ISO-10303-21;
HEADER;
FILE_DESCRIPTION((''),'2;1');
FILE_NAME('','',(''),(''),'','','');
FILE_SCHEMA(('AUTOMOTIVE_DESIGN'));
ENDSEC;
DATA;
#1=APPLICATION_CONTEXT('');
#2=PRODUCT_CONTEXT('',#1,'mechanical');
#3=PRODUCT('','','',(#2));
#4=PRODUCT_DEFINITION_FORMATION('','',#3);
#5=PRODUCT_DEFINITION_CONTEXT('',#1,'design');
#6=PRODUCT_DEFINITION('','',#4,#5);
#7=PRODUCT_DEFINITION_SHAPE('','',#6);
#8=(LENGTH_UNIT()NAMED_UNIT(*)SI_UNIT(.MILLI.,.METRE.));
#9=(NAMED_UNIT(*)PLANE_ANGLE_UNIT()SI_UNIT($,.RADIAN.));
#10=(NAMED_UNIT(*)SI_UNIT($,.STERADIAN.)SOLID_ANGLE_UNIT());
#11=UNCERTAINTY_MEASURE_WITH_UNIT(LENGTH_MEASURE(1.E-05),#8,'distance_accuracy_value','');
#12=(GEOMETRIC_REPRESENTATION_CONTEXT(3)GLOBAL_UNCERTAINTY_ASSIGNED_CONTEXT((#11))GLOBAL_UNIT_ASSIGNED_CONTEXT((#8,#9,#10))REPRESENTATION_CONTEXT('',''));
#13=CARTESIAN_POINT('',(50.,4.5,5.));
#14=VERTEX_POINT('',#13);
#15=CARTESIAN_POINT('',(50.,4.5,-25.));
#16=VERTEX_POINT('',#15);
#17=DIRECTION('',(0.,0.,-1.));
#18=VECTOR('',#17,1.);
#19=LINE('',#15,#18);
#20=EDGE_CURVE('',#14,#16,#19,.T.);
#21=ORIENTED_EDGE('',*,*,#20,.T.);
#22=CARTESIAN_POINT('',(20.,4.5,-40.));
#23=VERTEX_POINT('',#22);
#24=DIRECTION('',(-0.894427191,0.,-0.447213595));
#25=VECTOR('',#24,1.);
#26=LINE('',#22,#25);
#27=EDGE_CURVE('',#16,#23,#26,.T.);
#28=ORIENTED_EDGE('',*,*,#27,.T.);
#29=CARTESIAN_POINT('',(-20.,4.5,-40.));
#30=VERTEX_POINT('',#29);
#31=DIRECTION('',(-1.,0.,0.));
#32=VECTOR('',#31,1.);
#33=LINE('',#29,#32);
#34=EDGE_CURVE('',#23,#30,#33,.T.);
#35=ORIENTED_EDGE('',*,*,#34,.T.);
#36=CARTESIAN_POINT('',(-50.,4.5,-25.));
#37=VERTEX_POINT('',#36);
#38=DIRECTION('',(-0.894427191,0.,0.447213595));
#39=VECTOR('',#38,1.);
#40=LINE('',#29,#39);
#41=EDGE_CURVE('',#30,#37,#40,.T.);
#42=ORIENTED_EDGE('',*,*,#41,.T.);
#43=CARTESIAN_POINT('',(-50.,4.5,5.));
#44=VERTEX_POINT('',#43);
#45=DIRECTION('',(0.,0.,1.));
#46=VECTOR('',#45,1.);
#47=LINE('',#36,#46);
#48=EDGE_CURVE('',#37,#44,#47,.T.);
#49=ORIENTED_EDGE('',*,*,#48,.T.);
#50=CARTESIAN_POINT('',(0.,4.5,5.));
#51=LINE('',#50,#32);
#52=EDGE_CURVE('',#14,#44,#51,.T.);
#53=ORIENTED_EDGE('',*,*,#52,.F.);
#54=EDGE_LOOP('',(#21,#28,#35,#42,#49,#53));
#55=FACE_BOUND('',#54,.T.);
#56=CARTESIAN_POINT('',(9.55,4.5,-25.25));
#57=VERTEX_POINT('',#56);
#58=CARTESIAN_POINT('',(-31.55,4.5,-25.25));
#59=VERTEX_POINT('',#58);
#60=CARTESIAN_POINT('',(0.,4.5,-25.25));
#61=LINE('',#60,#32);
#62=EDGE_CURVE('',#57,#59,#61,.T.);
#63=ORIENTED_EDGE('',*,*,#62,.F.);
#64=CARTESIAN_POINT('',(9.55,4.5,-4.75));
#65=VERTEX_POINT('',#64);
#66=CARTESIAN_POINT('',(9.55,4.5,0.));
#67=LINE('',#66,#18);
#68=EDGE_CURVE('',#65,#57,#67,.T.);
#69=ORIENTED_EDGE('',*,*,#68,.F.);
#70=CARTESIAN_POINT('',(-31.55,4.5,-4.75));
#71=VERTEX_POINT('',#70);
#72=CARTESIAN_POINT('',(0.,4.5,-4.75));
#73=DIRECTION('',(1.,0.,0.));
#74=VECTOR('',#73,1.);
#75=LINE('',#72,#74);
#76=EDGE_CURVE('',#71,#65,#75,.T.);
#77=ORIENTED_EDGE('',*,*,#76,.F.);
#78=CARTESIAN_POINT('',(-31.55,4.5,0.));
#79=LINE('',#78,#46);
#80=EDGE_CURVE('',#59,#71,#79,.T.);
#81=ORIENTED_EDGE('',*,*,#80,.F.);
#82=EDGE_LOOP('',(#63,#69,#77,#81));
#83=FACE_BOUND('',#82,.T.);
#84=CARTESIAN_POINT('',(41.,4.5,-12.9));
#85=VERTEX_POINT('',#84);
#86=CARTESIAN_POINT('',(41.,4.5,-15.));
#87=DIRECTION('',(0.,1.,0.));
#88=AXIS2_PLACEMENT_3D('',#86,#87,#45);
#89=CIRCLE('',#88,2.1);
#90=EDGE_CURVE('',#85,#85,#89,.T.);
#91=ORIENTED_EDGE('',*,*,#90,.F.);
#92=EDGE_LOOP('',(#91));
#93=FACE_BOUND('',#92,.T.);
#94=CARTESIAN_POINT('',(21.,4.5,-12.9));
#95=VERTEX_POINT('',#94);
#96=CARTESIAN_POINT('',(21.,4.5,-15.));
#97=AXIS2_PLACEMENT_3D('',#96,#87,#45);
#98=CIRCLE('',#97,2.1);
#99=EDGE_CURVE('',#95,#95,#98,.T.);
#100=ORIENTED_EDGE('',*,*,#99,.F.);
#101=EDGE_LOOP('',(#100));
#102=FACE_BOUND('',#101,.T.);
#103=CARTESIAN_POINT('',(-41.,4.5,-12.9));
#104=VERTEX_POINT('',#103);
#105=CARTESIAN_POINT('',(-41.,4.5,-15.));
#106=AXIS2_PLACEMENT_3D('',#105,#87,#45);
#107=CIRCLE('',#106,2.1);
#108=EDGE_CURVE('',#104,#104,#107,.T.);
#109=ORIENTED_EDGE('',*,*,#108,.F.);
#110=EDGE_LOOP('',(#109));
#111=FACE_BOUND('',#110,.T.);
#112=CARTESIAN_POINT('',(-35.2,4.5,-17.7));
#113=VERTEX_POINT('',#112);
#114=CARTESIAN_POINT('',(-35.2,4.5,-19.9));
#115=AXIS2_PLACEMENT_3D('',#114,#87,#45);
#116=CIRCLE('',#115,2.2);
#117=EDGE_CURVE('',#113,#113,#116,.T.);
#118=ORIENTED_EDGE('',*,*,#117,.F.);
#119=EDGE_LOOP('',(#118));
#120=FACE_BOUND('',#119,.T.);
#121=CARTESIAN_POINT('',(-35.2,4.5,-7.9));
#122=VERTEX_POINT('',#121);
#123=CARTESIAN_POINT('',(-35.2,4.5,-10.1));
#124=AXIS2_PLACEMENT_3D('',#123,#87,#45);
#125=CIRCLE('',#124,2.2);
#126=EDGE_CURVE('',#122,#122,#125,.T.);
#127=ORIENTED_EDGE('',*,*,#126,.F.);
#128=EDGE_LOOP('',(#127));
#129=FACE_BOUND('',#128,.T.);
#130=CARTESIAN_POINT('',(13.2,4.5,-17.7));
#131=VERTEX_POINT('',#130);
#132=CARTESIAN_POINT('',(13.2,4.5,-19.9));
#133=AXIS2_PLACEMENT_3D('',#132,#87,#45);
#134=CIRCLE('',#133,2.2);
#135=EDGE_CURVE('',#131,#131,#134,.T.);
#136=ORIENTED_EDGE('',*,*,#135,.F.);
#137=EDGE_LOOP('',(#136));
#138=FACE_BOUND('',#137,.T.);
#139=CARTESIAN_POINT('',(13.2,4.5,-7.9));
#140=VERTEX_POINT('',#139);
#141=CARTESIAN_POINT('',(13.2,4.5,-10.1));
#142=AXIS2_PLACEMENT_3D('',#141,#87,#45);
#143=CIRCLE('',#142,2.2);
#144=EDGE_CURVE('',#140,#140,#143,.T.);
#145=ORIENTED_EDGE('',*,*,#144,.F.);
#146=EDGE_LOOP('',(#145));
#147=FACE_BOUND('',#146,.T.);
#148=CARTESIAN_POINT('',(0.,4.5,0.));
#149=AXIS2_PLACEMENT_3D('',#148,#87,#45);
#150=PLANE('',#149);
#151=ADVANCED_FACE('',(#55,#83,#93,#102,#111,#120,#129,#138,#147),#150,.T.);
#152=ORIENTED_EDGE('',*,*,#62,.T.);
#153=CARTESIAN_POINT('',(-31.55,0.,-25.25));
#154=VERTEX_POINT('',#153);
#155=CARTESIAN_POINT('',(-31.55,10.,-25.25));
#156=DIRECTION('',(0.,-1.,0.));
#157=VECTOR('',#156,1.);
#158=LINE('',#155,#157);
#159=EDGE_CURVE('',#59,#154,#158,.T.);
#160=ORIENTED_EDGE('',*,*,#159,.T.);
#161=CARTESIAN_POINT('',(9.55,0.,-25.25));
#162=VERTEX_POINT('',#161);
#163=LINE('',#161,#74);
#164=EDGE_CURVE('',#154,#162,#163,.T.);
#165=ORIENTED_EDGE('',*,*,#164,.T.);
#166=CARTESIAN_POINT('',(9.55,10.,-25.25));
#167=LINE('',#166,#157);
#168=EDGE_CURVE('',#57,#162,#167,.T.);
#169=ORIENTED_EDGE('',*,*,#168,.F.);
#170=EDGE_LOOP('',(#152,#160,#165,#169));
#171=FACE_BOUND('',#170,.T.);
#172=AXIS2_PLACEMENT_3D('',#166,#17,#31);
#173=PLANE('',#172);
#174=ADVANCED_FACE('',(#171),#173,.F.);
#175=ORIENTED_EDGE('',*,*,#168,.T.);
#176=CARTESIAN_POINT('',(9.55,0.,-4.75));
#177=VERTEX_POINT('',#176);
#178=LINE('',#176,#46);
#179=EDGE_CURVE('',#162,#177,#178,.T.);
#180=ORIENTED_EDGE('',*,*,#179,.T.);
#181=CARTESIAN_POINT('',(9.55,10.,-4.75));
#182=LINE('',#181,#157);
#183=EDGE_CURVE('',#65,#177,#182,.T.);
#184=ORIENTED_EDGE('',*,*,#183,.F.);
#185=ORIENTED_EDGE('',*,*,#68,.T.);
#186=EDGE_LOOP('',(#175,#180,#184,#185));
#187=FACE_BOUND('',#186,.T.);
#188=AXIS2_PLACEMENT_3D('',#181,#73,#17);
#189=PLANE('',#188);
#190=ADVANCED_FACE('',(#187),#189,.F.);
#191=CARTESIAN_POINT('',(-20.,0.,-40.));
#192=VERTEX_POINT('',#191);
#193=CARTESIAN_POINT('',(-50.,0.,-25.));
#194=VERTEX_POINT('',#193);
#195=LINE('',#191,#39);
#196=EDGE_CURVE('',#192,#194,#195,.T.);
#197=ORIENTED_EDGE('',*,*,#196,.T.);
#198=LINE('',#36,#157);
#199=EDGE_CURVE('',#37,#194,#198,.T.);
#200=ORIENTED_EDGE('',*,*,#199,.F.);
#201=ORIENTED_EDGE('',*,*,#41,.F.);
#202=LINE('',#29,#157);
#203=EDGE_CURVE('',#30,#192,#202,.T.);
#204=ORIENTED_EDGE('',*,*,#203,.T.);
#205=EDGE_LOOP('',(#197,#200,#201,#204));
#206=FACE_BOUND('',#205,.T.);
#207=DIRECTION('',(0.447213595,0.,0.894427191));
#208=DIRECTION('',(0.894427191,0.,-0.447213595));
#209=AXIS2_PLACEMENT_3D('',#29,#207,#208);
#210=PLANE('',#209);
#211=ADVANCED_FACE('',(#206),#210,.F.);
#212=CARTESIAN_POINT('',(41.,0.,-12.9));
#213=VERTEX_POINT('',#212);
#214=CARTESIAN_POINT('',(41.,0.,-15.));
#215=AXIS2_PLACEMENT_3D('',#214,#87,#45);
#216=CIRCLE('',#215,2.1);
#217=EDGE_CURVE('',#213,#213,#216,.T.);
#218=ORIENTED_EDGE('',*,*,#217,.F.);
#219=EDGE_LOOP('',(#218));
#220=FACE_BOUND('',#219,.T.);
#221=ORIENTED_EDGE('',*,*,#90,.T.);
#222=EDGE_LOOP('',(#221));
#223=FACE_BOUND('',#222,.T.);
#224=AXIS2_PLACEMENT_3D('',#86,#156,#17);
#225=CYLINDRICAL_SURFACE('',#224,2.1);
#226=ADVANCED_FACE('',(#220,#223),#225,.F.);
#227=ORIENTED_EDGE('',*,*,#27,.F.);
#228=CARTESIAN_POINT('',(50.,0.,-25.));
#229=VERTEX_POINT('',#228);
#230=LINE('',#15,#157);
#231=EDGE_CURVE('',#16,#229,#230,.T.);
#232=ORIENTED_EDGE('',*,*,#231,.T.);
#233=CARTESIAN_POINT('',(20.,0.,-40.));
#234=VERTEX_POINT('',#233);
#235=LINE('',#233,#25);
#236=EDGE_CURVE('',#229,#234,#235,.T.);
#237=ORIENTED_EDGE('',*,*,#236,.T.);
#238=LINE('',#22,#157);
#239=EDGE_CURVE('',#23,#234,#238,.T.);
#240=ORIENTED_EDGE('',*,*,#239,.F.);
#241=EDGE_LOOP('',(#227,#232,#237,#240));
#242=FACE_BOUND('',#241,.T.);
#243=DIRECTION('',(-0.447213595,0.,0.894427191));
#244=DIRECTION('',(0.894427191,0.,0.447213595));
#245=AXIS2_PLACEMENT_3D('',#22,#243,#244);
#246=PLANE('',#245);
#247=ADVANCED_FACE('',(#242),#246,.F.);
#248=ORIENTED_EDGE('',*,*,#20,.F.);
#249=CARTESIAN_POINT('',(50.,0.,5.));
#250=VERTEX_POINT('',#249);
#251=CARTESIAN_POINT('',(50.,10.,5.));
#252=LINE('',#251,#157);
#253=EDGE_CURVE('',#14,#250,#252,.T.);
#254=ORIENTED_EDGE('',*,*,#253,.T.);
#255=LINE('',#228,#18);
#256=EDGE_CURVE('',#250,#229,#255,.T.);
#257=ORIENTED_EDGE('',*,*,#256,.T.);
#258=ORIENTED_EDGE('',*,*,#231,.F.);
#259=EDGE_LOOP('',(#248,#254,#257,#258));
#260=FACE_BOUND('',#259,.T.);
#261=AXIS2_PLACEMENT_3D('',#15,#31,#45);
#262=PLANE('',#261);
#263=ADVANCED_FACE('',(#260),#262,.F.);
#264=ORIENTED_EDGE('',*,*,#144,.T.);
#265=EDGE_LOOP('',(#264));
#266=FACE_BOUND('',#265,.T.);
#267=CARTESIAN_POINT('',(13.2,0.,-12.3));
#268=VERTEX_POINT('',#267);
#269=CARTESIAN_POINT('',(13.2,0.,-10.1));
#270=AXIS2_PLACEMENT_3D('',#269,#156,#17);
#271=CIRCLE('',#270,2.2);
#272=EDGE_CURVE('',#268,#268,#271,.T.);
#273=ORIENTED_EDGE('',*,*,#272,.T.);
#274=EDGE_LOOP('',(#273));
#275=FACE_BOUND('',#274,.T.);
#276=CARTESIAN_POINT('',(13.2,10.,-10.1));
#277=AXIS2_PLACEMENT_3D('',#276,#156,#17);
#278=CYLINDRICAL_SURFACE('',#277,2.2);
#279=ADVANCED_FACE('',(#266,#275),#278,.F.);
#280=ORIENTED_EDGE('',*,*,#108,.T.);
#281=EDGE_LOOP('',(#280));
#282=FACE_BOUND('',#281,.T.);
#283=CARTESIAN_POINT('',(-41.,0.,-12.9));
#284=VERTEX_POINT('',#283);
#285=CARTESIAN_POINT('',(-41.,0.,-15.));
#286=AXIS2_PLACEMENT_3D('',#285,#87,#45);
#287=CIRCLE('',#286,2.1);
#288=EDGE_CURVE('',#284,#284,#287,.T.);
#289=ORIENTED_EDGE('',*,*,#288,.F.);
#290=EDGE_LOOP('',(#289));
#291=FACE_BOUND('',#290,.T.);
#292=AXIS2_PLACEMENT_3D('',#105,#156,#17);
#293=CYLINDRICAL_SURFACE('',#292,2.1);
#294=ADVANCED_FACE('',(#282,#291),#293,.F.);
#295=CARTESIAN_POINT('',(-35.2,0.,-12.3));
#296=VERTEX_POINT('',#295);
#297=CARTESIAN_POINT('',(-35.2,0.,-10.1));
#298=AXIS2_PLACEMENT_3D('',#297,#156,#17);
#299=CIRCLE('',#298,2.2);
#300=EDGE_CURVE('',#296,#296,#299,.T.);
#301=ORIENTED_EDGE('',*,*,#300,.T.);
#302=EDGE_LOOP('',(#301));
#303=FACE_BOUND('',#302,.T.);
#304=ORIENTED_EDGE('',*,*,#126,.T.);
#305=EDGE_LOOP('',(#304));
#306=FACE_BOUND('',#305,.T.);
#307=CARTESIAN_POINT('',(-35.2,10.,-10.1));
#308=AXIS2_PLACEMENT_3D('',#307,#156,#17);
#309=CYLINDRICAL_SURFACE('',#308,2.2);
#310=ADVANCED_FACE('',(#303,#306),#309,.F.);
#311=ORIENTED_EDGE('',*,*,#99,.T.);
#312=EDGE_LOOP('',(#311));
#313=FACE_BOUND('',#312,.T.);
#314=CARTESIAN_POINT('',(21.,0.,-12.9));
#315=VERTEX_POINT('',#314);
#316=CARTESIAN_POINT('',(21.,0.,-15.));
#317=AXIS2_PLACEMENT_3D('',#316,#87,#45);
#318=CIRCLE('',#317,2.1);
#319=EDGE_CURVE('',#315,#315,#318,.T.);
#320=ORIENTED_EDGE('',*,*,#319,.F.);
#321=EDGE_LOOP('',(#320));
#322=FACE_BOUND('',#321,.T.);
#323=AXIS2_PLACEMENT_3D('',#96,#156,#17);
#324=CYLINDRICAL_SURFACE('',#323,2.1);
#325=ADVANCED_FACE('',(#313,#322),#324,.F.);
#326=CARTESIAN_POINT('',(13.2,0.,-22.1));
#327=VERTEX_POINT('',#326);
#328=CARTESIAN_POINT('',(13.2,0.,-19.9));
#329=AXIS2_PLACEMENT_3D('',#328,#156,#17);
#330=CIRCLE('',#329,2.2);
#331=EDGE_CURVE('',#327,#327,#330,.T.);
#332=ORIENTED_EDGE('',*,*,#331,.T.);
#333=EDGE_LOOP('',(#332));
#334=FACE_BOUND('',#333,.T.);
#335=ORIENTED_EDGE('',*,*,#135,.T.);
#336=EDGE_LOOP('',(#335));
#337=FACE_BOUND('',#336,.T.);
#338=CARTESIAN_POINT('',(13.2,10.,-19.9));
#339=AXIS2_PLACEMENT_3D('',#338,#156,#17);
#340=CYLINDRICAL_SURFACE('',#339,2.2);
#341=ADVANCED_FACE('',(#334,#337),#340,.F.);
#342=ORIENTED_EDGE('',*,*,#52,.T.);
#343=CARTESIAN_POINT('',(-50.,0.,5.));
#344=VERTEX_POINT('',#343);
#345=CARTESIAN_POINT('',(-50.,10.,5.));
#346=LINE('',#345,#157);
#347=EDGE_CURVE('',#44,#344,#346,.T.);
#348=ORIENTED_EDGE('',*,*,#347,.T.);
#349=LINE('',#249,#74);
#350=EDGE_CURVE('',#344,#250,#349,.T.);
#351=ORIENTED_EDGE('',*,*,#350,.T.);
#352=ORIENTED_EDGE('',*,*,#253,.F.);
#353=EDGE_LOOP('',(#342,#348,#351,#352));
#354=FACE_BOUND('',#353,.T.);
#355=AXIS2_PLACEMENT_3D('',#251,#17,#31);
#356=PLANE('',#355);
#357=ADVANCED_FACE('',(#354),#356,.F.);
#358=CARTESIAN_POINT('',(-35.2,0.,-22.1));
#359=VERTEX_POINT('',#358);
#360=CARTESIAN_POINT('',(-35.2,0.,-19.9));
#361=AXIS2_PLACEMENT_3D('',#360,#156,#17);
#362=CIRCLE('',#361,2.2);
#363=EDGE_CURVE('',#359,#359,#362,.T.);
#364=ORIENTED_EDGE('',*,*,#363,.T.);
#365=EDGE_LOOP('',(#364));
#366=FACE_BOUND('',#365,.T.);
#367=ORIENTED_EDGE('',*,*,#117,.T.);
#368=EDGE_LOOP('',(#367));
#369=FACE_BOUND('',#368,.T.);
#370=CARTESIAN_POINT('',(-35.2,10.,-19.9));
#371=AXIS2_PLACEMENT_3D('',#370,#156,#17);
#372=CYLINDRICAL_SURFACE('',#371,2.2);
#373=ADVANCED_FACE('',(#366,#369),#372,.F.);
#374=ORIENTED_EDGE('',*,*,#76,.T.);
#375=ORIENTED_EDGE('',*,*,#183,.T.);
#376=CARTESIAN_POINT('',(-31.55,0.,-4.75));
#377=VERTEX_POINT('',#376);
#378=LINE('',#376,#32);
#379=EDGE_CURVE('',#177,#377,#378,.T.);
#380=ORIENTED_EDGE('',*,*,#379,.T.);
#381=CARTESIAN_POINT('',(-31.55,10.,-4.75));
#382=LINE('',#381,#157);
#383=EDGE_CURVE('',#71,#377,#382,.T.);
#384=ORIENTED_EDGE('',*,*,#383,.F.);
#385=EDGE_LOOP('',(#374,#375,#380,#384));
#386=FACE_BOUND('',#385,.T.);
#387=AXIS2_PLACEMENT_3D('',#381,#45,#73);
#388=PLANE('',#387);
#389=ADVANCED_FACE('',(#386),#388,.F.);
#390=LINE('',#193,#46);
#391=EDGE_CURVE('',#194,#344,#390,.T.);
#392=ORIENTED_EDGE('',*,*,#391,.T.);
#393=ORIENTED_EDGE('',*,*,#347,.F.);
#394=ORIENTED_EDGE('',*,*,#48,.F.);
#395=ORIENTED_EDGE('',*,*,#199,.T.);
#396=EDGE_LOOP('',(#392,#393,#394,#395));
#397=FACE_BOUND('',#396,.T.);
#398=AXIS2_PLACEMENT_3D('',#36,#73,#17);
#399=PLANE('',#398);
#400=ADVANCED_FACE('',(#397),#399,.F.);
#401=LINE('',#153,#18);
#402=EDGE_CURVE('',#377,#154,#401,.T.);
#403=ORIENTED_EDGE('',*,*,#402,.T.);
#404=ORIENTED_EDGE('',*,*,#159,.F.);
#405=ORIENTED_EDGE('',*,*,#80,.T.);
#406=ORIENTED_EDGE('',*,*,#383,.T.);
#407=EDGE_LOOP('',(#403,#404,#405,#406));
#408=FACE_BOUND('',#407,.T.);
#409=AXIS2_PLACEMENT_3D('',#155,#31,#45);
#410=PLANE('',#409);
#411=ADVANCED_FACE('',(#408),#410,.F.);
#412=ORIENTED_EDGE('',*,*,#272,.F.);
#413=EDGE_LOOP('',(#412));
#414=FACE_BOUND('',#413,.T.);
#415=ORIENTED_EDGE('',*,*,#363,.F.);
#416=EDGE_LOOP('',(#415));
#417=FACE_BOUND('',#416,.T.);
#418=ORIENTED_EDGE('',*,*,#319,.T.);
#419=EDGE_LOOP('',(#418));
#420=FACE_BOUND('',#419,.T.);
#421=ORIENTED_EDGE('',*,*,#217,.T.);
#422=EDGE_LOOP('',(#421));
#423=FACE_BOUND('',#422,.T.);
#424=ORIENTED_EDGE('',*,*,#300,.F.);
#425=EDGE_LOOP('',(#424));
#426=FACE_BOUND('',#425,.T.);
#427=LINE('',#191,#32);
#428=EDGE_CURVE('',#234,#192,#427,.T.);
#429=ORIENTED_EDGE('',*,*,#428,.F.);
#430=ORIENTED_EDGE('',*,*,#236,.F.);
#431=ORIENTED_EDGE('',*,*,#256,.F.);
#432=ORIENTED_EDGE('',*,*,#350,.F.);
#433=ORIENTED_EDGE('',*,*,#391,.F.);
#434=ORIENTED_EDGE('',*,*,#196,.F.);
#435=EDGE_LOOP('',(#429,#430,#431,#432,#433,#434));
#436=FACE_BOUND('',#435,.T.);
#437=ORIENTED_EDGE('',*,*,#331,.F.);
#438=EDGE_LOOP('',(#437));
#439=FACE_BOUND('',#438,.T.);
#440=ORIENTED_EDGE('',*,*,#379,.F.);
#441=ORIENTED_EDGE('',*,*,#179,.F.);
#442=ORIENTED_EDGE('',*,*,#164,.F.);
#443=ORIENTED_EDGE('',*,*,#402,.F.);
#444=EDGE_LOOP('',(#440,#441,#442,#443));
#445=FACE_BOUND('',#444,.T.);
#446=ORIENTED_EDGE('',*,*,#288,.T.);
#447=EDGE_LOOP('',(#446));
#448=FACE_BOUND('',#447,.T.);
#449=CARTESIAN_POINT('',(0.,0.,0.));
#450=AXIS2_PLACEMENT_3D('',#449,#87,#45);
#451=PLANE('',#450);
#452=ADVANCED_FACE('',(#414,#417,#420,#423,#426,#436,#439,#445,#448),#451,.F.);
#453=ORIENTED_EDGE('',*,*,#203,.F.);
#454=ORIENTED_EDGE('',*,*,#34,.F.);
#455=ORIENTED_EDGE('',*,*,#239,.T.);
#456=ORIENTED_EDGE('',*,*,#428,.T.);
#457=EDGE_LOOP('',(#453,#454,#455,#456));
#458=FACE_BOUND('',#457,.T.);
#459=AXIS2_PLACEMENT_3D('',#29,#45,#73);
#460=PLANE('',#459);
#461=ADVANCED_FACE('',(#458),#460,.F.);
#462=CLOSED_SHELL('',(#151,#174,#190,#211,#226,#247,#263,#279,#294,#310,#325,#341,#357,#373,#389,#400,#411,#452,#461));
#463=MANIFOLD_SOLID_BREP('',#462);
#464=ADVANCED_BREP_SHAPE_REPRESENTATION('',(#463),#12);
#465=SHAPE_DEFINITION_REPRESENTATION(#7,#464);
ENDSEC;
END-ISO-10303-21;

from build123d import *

# Parameters (mm, degrees)
SKETCH1_R           = 2.1
BOSS_EXTRUDE1_DEPTH = 4.5
SKETCH2_R           = 2.2
SKETCH2_W           = 41.1
SKETCH2_H           = 20.5
CUT_EXTRUDE1_DEPTH  = 10
SKETCH3_W           = 100
SKETCH3_H           = 20
CUT_EXTRUDE2_DEPTH  = 10


with BuildPart() as part:
    # Sketch1 → Boss-Extrude1 (new body)
    with BuildSketch(Plane(origin=(0, 0, 0), x_dir=(1, 0, 0), z_dir=(0, 1, 0))):
        Polygon((20, 40), (50, 25), (50, -25), (-50, -25), (-50, 25), (-20, 40), align=None)
        with Locations((-41, 15)):
            Circle(SKETCH1_R, mode=Mode.SUBTRACT)
        with Locations((41, 15)):
            Circle(SKETCH1_R, mode=Mode.SUBTRACT)
        with Locations((-21, 15)):
            Circle(SKETCH1_R, mode=Mode.SUBTRACT)
        with Locations((21, 15)):
            Circle(SKETCH1_R, mode=Mode.SUBTRACT)
    extrude(amount=BOSS_EXTRUDE1_DEPTH)

    # Sketch2 → Cut-Extrude1 (cut)
    with BuildSketch(Plane.XZ):
        with Locations((13.2, -19.9)):
            Circle(SKETCH2_R)
        with Locations((13.2, -10.1)):
            Circle(SKETCH2_R)
        with Locations((-35.2, -19.9)):
            Circle(SKETCH2_R)
        with Locations((-35.2, -10.1)):
            Circle(SKETCH2_R)
        with Locations((-11, -15)):
            Rectangle(SKETCH2_W, SKETCH2_H)
    extrude(amount=-CUT_EXTRUDE1_DEPTH, mode=Mode.SUBTRACT)

    # Sketch3 → Cut-Extrude2 (cut)
    with BuildSketch(Plane.XZ):
        with Locations((0, 15)):
            Rectangle(SKETCH3_W, SKETCH3_H)
    extrude(amount=-CUT_EXTRUDE2_DEPTH, mode=Mode.SUBTRACT)


solid = part.part
